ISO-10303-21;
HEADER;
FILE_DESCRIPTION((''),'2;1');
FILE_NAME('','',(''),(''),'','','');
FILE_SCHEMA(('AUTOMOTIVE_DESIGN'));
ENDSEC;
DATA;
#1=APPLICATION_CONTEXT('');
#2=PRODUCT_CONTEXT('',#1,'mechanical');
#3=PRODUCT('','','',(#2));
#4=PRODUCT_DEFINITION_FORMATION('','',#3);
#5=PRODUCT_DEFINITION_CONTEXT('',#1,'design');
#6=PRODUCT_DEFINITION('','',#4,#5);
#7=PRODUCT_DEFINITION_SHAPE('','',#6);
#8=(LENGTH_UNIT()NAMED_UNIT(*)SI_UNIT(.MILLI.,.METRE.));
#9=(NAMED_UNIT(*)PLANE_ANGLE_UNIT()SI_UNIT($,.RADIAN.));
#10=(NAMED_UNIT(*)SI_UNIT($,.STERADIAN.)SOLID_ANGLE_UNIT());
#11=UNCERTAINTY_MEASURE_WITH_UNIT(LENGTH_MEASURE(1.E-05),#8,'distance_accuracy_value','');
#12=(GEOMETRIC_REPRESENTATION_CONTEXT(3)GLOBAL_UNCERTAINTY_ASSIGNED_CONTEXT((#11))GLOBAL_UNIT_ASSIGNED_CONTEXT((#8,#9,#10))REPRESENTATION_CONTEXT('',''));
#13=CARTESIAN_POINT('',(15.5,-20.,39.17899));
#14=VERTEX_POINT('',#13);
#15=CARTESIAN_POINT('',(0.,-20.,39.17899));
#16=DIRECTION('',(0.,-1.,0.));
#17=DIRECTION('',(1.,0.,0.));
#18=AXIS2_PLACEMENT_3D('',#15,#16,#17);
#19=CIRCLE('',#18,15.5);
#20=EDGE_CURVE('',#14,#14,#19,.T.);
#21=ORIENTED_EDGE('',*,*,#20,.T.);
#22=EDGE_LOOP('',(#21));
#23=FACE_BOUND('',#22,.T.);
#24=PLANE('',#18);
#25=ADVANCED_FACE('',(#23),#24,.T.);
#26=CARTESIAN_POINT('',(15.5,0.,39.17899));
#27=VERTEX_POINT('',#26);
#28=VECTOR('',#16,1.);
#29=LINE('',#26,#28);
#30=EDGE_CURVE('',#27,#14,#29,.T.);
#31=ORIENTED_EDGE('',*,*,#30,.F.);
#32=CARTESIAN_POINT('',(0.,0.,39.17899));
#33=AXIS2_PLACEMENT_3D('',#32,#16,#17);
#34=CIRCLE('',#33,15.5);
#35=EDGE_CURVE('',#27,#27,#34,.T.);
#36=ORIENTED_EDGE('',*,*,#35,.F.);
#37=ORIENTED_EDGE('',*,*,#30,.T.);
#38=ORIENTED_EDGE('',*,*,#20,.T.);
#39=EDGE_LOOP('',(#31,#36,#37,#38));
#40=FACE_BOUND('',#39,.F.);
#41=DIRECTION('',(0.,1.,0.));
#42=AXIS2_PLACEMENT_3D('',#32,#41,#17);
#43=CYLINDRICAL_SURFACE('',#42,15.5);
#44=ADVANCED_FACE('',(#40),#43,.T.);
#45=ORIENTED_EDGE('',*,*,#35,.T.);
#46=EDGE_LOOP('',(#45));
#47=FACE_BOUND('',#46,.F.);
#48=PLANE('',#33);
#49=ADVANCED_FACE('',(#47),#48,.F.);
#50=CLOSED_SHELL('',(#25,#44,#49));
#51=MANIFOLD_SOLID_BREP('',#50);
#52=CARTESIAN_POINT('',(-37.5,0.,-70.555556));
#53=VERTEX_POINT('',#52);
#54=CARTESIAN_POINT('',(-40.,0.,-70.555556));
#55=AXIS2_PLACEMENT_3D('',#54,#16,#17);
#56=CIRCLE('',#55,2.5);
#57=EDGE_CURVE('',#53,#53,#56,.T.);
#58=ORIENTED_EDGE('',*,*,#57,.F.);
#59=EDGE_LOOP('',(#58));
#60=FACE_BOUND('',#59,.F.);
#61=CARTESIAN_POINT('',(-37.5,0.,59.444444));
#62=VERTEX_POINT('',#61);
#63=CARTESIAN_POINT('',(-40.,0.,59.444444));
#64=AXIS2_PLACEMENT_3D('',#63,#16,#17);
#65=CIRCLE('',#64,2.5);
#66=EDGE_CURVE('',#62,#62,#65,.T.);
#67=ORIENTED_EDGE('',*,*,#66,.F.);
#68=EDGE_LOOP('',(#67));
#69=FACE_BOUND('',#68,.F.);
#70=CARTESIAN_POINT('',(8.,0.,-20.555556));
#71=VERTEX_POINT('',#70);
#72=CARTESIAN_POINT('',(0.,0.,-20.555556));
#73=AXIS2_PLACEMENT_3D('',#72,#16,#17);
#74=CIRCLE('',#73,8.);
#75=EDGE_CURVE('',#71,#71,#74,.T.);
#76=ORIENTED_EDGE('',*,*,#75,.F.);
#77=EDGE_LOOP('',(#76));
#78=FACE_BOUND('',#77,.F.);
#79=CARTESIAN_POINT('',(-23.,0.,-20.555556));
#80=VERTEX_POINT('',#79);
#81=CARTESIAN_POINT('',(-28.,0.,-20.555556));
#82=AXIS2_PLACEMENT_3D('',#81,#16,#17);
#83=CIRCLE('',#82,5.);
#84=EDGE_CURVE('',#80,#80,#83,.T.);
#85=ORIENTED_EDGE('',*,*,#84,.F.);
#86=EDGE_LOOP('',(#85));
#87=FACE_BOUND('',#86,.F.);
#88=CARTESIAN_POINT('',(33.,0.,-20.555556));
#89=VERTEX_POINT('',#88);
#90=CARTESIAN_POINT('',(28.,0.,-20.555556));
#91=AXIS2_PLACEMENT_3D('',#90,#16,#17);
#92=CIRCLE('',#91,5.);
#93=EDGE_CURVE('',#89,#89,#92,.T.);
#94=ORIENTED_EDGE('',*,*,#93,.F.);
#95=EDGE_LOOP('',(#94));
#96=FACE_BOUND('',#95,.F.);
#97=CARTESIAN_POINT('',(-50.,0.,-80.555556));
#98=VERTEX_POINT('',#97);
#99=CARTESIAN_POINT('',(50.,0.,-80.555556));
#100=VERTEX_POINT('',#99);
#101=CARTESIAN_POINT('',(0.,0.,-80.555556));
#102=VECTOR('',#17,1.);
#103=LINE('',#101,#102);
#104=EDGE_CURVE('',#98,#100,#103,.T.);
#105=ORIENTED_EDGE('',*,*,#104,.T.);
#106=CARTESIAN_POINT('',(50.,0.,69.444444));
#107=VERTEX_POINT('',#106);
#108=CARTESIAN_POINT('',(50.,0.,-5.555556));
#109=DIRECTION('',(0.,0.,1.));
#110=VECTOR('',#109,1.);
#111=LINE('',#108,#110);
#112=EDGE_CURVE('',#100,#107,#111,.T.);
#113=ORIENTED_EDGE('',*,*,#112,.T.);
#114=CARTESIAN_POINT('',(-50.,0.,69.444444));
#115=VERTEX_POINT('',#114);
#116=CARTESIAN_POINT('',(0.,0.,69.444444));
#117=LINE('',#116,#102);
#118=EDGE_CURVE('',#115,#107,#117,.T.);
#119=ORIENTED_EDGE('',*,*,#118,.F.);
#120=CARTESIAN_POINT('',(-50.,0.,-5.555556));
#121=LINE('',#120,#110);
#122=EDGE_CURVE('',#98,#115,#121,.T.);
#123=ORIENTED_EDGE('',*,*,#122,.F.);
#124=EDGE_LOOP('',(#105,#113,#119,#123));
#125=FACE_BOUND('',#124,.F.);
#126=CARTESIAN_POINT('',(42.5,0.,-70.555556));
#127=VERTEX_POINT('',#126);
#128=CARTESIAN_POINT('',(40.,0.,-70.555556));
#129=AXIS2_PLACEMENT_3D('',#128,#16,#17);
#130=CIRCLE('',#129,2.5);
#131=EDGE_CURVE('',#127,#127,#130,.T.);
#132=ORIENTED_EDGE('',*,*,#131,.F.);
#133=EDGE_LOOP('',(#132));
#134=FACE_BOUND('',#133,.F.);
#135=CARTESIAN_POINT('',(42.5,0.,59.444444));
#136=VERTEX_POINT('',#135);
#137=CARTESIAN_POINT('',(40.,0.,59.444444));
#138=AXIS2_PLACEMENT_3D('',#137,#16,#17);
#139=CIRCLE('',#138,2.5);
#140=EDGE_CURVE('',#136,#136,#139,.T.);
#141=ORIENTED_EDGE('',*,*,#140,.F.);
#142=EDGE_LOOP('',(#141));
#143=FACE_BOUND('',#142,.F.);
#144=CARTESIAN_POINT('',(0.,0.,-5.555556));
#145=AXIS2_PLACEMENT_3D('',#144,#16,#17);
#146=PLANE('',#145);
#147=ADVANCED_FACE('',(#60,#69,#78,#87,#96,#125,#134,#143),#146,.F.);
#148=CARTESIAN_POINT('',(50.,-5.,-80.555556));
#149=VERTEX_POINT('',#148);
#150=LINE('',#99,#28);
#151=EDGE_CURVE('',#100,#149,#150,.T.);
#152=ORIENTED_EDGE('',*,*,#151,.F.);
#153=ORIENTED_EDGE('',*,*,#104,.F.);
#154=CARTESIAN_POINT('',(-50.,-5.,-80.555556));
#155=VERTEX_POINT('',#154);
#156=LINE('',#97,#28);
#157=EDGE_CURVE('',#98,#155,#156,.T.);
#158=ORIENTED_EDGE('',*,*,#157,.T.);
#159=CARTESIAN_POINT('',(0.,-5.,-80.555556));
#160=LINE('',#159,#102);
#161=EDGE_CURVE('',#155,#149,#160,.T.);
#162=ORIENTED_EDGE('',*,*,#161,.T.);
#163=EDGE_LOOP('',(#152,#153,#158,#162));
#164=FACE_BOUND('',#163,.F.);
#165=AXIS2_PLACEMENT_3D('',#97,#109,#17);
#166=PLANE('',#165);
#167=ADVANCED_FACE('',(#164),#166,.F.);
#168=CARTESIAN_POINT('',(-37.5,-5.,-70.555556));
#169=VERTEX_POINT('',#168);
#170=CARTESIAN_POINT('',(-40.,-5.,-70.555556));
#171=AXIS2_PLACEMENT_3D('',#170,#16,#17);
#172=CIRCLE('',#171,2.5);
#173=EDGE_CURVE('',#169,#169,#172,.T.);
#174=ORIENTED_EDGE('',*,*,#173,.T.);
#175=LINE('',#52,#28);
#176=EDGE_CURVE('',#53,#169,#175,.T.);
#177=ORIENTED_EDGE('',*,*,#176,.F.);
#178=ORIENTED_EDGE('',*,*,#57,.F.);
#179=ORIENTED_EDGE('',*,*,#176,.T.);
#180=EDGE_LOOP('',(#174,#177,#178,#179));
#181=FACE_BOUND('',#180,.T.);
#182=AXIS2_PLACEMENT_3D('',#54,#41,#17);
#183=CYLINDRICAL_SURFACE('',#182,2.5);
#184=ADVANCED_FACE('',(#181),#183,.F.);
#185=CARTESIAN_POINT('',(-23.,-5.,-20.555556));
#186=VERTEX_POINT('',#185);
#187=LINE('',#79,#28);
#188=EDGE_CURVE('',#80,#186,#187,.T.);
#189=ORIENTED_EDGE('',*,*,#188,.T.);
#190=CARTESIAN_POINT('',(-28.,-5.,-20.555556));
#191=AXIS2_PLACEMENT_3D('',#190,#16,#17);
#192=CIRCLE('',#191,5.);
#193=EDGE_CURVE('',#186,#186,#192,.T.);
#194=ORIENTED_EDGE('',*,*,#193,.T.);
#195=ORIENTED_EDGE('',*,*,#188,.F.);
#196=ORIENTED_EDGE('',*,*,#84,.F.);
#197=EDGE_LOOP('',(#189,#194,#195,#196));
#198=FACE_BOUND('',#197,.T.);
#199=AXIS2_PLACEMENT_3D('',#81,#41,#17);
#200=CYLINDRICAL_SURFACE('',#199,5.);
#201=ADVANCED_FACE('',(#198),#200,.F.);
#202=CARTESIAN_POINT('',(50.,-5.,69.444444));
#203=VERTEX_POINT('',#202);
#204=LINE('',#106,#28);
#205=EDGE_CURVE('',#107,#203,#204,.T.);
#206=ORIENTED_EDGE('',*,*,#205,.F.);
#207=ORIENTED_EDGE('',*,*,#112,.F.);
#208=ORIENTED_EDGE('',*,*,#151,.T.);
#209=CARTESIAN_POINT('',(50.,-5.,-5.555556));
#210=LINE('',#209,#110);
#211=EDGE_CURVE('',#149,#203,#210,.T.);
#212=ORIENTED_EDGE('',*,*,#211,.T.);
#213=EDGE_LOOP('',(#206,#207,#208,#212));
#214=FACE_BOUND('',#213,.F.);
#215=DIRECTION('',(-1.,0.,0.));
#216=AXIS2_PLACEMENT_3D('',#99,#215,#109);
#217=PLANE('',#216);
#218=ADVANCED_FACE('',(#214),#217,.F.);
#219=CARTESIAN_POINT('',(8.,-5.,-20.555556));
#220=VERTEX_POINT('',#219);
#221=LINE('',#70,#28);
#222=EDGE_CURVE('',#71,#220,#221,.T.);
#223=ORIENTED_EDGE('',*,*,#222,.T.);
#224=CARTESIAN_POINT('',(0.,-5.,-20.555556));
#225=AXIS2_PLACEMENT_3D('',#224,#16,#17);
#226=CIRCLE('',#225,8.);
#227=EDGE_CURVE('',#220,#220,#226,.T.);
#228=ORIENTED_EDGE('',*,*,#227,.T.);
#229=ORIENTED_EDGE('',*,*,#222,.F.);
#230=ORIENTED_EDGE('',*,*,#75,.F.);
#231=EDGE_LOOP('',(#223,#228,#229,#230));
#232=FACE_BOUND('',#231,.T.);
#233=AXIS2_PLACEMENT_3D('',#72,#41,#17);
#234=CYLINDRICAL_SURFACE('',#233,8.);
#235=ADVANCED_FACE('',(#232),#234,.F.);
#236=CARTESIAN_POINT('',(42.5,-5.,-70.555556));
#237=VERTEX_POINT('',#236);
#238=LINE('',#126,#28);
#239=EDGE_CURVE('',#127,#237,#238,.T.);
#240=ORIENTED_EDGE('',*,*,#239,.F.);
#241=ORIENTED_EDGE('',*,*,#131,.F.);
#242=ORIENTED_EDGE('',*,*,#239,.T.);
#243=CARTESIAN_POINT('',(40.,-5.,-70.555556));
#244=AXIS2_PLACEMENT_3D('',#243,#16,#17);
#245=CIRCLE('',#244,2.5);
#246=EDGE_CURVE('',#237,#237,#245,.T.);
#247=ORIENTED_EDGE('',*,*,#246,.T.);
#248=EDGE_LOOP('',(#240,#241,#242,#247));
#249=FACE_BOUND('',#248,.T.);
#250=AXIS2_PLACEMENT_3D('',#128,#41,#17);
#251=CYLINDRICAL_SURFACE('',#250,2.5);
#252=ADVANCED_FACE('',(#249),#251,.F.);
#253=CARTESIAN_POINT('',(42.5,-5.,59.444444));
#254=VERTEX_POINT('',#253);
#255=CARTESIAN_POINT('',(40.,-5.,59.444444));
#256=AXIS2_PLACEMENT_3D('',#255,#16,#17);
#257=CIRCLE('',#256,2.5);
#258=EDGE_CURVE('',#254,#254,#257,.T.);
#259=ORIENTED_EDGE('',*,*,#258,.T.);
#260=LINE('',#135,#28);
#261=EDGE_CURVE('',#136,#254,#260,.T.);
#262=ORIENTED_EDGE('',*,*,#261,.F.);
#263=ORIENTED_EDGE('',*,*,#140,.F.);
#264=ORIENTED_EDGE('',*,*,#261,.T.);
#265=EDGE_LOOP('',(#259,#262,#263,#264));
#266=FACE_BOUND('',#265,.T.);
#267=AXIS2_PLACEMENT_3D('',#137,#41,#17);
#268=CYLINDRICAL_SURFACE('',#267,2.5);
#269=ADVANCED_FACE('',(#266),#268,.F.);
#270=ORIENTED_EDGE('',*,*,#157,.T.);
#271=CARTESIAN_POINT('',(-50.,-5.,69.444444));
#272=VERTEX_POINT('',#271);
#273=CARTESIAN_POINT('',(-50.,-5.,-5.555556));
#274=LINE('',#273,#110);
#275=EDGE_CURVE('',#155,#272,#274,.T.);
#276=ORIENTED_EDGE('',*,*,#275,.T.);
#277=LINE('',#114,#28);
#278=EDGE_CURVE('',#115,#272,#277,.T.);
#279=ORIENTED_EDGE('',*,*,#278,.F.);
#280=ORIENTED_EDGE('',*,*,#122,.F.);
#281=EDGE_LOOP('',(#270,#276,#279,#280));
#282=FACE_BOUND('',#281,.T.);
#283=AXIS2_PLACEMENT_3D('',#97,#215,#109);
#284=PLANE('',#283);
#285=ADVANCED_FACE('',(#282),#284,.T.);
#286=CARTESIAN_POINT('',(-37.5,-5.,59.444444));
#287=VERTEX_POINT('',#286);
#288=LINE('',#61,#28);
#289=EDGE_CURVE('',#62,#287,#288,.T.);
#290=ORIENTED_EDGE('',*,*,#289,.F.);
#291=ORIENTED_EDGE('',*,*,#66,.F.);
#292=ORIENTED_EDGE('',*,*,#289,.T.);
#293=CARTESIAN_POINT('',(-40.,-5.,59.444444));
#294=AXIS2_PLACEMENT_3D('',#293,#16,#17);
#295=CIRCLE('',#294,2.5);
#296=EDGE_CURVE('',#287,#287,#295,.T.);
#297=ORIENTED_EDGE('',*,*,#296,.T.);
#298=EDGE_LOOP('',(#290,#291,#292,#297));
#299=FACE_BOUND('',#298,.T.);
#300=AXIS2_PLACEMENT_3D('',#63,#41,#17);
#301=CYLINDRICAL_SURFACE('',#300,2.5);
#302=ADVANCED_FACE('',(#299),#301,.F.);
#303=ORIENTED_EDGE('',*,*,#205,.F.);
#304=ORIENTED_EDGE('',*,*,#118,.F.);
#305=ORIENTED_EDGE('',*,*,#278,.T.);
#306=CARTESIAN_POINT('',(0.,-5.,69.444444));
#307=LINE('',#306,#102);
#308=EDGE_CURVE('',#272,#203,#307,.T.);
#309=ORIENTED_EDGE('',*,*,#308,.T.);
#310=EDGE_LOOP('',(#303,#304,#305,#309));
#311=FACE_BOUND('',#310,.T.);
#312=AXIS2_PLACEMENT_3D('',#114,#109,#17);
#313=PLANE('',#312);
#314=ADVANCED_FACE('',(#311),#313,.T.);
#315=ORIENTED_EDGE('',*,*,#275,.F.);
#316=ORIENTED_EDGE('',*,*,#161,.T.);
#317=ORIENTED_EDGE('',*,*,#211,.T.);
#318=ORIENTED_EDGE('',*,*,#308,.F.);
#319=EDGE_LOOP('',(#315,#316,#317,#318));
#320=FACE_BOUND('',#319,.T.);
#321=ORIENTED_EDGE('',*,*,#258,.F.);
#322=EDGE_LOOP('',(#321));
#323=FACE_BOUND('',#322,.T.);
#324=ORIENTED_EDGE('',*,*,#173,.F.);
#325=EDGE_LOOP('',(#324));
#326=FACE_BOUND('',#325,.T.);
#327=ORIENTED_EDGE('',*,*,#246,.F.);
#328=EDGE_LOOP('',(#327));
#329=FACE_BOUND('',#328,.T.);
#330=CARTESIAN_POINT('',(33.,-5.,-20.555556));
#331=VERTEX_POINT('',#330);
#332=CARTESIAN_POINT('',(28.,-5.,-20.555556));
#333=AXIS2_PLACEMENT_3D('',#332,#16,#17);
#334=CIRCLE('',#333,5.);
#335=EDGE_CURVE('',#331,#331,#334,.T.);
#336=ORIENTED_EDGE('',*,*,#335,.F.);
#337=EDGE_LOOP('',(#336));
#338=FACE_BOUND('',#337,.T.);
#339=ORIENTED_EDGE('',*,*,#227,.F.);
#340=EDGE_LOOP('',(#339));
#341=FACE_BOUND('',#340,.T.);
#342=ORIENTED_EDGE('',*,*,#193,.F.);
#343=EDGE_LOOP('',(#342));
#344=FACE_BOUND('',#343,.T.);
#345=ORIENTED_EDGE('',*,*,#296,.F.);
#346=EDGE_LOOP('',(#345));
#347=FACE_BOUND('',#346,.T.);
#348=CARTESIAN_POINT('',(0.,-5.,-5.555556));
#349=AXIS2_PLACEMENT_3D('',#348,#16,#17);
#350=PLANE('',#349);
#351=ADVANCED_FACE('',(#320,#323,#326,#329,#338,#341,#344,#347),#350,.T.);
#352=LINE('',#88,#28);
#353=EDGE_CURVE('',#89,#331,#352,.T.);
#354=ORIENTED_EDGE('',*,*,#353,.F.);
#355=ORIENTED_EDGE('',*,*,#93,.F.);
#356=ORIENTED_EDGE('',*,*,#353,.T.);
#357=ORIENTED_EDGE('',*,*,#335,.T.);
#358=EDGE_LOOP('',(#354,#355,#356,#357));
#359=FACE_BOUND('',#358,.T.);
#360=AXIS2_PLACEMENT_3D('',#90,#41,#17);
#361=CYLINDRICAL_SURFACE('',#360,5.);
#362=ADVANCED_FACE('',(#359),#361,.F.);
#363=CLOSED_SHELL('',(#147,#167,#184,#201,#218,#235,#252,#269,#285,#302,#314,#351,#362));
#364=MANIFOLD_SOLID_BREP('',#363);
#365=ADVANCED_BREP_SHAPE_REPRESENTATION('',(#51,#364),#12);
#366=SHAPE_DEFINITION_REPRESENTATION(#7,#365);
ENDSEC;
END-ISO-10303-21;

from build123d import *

# Parameters (mm, degrees)
F0_W     = 100
F0_H     = 150
F0_R     = 2.5
F0_R_2   = 5
F0_R_3   = 8
F1_DEPTH = 5
F2_R     = 15.5
F3_DEPTH = 20


with BuildPart() as f1:
    # F0 (on Front) → F1 (new body)
    with BuildSketch(Plane.XZ):
        with Locations((0, -5.555556)):
            Rectangle(F0_W, F0_H)
        with Locations((-40, -70.555556)):
            Circle(F0_R, mode=Mode.SUBTRACT)
        with Locations((-28, -20.555556)):
            Circle(F0_R_2, mode=Mode.SUBTRACT)
        with Locations((40, -70.555556)):
            Circle(F0_R, mode=Mode.SUBTRACT)
        with Locations((0, -20.555556)):
            Circle(F0_R_3, mode=Mode.SUBTRACT)
        with Locations((28, -20.555556)):
            Circle(F0_R_2, mode=Mode.SUBTRACT)
        with Locations((-40, 59.444444)):
            Circle(F0_R, mode=Mode.SUBTRACT)
        with Locations((40, 59.444444)):
            Circle(F0_R, mode=Mode.SUBTRACT)
    extrude(amount=F1_DEPTH)


with BuildPart() as f3:
    # F2 (on Front) → F3 (new body)
    with BuildSketch(Plane.XZ):
        with Locations((0, 39.17899)):
            Circle(F2_R)
    extrude(amount=F3_DEPTH)


solid = Compound([f1.part, f3.part])
